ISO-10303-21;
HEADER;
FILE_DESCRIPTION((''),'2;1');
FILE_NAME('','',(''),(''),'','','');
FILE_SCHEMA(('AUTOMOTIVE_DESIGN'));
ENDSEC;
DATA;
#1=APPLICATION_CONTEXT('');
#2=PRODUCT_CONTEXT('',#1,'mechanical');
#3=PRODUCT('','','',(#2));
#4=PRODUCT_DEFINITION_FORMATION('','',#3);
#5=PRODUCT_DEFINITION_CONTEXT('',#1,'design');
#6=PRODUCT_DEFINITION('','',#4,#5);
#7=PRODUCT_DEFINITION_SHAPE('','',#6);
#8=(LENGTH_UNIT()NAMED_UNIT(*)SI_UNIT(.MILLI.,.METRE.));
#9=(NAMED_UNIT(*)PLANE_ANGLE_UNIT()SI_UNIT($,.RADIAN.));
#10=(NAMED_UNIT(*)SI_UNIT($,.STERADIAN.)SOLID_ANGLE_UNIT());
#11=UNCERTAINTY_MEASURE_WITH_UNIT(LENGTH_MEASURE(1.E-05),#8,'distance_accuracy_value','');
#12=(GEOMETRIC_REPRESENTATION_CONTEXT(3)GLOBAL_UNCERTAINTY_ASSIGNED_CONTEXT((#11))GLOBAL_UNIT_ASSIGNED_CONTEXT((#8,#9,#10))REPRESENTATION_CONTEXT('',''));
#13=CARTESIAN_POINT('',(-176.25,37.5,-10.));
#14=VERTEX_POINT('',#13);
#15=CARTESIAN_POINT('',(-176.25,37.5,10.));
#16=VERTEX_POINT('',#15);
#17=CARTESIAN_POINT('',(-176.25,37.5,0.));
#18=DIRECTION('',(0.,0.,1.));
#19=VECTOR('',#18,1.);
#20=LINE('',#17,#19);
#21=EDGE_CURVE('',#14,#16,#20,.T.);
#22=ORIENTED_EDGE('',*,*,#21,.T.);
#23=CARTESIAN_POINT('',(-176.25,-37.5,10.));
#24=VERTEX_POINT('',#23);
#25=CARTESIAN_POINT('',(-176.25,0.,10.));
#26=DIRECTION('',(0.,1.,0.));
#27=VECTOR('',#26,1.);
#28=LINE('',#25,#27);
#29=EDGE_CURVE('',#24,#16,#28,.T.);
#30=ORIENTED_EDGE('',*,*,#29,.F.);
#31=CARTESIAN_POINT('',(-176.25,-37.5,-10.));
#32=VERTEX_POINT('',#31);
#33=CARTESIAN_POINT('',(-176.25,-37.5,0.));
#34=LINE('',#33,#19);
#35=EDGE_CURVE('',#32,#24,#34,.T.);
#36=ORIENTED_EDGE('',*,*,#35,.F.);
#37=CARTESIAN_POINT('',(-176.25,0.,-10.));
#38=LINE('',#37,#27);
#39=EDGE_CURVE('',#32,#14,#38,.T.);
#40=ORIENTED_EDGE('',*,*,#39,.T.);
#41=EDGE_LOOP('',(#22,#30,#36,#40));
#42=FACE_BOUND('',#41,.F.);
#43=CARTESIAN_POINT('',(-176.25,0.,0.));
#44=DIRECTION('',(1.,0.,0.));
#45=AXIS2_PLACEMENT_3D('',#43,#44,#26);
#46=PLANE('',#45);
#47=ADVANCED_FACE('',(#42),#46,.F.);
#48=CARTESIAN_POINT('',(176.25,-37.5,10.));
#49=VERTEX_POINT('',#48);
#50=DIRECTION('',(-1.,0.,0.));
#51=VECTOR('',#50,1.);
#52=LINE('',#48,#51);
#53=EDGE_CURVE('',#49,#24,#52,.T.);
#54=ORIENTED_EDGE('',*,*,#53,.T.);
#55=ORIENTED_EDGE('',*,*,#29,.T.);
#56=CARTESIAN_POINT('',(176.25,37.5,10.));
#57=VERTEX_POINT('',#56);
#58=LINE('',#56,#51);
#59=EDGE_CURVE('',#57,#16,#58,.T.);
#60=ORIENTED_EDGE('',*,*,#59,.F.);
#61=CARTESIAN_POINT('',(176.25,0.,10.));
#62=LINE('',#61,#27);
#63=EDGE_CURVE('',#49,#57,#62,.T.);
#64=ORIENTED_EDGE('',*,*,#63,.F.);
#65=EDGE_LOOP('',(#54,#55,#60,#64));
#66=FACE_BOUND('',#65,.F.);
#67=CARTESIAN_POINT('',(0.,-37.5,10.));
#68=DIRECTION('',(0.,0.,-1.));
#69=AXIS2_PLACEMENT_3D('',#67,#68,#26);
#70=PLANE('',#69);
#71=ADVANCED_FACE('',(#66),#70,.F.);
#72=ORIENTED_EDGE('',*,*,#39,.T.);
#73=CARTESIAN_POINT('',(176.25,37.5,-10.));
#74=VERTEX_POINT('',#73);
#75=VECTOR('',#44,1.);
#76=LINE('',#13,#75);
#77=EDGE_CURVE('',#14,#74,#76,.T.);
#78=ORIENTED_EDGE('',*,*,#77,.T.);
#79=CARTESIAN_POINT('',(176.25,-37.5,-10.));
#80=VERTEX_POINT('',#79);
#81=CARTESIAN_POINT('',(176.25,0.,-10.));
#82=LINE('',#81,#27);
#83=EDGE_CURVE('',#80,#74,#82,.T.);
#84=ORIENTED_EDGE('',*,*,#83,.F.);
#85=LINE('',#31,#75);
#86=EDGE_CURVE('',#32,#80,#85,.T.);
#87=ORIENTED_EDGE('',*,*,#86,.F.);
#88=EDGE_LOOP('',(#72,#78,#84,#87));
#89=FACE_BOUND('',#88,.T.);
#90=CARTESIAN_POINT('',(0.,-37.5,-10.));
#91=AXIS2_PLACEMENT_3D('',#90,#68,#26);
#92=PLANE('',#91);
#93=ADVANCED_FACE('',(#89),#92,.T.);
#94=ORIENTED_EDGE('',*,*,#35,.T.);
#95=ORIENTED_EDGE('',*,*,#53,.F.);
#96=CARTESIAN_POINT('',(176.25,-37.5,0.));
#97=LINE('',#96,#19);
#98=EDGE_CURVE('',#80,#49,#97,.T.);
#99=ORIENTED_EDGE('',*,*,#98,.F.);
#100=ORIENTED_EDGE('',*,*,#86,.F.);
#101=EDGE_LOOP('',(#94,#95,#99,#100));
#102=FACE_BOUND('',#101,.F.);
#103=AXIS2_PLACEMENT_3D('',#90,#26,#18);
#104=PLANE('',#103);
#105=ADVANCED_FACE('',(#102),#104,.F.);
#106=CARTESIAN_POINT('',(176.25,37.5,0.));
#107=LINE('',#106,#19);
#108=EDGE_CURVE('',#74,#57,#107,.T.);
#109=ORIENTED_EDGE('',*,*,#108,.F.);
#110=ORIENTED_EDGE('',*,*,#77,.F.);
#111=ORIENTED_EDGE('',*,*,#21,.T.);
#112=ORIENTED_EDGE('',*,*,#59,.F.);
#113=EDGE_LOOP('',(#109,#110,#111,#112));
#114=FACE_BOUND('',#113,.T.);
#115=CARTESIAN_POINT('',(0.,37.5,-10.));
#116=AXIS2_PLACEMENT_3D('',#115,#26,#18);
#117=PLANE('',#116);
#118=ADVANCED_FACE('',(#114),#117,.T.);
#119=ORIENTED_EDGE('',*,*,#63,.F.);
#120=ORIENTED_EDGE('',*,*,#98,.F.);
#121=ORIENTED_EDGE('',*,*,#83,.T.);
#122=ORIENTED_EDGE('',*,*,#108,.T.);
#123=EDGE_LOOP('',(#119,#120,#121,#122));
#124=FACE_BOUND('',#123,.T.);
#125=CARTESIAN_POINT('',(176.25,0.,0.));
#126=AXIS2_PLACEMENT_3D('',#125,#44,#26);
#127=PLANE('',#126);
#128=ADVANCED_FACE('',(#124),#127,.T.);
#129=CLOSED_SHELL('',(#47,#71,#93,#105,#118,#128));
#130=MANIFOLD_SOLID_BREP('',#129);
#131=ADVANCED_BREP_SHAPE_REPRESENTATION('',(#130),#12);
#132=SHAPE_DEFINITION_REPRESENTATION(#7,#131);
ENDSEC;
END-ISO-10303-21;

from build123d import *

# Parameters (mm, degrees)
F0_W     = 75
F0_H     = 20
F1_DEPTH = 176.25


with BuildPart() as f1:
    # F0 (on Right) → F1 (new body, symmetric)
    with BuildSketch(Plane.YZ):
        Rectangle(F0_W, F0_H)
    extrude(amount=F1_DEPTH, both=True)


solid = f1.part
